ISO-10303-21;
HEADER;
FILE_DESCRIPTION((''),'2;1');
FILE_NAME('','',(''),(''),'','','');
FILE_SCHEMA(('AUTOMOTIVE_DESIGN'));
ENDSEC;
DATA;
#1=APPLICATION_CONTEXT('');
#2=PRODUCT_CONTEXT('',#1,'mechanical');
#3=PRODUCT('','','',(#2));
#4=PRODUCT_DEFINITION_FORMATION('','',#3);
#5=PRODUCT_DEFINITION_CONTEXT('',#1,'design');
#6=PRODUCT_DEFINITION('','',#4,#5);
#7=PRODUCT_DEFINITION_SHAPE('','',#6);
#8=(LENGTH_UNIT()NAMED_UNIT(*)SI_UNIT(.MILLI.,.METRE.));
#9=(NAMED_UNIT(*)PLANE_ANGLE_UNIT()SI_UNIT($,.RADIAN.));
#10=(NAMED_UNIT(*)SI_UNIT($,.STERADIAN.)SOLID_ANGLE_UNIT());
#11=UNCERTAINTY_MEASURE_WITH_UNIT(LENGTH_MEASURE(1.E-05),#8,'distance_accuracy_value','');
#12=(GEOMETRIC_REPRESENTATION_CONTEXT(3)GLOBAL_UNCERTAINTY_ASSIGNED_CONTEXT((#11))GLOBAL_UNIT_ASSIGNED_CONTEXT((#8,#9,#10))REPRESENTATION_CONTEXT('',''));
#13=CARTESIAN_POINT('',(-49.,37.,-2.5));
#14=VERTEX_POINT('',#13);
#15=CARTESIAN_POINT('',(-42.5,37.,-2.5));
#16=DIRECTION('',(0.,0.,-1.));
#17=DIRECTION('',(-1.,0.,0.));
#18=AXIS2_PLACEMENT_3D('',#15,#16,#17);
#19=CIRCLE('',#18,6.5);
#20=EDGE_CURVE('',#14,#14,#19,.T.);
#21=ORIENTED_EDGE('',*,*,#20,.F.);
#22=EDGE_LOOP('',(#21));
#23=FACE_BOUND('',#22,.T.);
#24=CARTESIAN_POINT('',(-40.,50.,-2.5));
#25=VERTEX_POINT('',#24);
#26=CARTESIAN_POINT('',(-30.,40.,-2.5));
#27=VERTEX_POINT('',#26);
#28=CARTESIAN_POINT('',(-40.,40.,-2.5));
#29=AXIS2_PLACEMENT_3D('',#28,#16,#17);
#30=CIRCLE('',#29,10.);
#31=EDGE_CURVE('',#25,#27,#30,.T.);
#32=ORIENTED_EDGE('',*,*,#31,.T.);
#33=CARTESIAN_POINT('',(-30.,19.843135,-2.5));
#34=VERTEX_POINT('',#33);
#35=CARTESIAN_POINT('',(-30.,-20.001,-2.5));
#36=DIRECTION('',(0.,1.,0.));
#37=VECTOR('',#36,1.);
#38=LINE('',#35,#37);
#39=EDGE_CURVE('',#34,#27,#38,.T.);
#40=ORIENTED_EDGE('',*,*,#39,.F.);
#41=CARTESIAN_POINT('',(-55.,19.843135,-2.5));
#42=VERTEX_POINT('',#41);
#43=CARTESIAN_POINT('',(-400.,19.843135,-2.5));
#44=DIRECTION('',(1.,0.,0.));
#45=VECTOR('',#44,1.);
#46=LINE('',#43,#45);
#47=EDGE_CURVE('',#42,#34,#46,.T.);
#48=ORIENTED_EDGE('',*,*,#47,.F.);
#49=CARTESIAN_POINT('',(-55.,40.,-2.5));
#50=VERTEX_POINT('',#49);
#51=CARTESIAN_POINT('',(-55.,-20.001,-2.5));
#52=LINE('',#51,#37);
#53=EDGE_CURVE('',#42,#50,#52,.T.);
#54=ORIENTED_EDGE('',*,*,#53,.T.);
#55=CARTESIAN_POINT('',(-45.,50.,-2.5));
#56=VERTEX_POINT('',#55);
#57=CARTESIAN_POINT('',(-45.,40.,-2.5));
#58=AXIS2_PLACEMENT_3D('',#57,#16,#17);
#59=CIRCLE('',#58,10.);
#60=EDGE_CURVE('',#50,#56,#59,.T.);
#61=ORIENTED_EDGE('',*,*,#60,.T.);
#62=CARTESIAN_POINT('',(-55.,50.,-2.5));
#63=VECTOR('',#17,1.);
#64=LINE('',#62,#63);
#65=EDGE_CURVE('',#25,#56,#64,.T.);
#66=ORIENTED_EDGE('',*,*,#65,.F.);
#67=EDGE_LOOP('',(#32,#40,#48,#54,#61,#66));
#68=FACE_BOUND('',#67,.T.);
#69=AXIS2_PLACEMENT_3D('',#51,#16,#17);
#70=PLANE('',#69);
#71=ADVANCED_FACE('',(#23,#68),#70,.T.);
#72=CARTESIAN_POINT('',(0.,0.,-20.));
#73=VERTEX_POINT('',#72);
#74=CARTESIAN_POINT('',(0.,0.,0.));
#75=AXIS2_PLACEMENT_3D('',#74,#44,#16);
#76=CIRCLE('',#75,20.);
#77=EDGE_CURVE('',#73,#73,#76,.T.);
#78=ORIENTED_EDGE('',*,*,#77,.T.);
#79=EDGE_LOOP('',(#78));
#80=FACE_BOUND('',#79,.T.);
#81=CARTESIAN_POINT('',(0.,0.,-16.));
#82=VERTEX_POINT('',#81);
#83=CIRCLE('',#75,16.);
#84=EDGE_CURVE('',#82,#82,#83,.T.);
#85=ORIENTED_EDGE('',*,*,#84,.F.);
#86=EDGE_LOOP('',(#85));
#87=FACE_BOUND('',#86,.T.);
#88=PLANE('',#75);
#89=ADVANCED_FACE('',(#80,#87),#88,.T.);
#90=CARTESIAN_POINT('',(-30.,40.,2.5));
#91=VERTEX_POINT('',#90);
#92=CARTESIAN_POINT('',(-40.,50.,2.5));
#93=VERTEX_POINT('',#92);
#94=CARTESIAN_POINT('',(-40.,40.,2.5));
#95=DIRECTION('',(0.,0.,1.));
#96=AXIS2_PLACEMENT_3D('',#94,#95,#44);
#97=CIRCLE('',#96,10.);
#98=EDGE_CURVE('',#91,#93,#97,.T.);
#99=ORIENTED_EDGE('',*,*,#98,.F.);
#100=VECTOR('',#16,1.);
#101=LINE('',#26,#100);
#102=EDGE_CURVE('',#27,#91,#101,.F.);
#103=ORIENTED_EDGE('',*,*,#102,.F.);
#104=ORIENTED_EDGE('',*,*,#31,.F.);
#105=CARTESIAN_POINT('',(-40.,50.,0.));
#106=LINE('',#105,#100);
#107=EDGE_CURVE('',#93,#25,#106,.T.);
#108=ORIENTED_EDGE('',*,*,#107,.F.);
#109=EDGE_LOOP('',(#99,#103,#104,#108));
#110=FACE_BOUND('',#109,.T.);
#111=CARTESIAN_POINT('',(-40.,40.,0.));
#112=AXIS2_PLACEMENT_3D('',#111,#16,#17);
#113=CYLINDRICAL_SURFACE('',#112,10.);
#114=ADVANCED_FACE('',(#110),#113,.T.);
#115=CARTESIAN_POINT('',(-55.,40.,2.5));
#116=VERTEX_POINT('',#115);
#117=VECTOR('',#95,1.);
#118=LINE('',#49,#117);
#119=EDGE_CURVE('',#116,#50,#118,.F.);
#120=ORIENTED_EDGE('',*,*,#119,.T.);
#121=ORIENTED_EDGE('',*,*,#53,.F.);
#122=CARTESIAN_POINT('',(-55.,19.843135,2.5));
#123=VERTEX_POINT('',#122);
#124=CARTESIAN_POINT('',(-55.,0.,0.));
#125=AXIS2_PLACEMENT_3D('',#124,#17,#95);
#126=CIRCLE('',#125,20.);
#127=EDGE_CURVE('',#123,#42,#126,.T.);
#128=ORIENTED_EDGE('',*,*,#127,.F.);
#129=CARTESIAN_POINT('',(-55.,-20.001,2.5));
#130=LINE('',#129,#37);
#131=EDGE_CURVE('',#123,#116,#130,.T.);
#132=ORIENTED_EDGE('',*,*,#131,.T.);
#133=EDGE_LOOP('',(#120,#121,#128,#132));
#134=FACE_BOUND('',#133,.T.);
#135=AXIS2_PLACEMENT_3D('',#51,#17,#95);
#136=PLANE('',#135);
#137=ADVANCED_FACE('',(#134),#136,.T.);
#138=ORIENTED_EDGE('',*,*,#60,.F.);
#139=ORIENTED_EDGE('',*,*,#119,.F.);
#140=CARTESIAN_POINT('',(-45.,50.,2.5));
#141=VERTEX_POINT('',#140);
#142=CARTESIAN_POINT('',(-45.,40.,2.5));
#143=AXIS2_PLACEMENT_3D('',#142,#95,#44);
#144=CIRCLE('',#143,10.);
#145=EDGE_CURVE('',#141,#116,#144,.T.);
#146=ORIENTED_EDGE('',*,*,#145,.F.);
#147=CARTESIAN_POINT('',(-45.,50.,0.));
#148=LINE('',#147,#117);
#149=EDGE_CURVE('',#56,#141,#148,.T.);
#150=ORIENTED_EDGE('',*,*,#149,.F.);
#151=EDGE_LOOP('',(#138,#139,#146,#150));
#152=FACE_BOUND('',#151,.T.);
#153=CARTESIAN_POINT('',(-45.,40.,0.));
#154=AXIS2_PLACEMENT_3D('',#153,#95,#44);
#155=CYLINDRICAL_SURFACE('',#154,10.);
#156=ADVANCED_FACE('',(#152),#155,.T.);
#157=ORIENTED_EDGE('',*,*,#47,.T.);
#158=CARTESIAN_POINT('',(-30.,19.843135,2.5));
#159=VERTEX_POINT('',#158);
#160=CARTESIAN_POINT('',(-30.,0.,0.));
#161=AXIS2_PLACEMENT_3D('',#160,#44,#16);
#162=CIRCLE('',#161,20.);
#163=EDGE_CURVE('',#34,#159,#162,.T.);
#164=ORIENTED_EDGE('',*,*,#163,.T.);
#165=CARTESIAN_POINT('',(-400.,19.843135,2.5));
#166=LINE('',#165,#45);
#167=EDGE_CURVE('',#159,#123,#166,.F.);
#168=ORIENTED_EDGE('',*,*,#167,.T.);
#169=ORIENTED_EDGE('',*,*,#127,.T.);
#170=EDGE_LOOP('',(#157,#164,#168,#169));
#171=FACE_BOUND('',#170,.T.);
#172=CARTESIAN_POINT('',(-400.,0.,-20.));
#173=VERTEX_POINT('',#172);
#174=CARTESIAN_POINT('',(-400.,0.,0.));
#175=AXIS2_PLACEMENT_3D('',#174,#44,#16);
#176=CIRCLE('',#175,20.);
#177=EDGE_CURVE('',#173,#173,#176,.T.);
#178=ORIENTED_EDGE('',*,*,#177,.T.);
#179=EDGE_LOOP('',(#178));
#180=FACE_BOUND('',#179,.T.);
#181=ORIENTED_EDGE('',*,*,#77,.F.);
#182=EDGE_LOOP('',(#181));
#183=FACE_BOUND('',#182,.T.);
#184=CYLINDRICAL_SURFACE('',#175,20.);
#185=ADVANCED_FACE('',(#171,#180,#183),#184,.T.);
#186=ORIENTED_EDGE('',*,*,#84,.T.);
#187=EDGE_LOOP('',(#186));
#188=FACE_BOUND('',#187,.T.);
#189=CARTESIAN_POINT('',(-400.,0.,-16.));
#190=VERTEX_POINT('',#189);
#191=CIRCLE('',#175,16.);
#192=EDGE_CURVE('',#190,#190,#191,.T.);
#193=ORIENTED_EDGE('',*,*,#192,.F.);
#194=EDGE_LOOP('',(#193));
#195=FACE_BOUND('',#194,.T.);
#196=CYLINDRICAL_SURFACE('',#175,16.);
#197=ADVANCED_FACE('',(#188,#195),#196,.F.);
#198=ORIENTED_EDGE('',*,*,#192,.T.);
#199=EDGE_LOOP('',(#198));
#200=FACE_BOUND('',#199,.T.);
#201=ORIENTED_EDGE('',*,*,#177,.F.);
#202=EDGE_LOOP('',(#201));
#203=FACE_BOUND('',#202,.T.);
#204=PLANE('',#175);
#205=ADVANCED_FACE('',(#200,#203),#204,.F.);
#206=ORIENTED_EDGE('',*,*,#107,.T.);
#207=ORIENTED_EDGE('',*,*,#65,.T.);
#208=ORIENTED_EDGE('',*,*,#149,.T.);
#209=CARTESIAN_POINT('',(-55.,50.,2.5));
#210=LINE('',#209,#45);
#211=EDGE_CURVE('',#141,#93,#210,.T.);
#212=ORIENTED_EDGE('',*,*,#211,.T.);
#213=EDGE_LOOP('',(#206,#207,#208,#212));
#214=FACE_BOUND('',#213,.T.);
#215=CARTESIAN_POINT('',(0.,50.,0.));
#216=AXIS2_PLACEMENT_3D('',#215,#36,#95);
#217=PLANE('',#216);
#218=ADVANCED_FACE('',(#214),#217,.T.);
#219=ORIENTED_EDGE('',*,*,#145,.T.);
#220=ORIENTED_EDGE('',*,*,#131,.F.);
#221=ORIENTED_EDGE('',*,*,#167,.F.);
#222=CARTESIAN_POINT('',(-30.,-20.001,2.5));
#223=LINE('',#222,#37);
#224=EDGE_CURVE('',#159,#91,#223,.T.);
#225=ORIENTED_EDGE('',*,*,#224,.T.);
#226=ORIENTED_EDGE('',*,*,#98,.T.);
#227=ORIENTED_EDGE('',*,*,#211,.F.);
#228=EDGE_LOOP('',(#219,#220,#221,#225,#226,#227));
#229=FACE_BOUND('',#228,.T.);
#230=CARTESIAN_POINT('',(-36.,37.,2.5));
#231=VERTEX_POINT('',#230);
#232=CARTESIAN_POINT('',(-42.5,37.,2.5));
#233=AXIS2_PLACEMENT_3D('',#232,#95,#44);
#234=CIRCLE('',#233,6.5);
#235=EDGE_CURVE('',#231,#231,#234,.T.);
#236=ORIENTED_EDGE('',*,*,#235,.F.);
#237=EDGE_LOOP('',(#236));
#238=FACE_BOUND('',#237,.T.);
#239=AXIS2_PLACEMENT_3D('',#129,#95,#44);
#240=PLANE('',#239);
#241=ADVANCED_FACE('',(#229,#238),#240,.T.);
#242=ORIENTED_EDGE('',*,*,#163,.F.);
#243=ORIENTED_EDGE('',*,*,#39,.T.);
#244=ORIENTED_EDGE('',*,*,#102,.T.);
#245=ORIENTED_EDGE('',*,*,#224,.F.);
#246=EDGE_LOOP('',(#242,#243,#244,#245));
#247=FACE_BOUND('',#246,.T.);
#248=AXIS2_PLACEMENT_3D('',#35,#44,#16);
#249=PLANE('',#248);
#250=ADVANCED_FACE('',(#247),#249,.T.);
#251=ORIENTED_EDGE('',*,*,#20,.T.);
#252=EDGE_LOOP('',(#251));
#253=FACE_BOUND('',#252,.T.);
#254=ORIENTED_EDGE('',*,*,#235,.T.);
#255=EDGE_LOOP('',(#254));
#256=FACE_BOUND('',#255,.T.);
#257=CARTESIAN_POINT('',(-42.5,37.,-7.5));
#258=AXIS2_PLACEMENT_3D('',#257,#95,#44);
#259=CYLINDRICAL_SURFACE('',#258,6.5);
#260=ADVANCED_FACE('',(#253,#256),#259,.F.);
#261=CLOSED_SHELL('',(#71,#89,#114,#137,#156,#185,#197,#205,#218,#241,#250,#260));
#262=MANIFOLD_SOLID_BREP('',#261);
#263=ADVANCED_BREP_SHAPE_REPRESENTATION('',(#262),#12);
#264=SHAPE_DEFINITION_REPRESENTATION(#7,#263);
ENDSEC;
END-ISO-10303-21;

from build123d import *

# Parameters (mm, degrees)
SKETCH1_R                = 20
SKETCH1_R_2              = 16
BOSS_EXTRUDE1_DEPTH      = 400
BOSS_EXTRUDE2_REACH      = 408.571
BOSS_EXTRUDE2_END_RADIUS = 20
SKETCH2_W                = 25
SKETCH2_H                = 5
FILLET1_R                = 10
SKETCH3_R                = 6.5
CUT_EXTRUDE1_DEPTH       = 10


with BuildPart() as part:
    # Sketch1 → Boss-Extrude1 (new body)
    with BuildSketch(Plane(origin=(0, 0, 0), x_dir=(0, 0, -1), z_dir=(1, 0, 0))):
        Circle(SKETCH1_R)
        Circle(SKETCH1_R_2, mode=Mode.SUBTRACT)
    extrude(amount=-BOSS_EXTRUDE1_DEPTH)

    # Boss-Extrude2: up to this cylinder (the profile starts outside it)
    boss_extrude2_end = Plane(origin=(-42.5, 0, 0), z_dir=(1, 0, 0)) * Cylinder(BOSS_EXTRUDE2_END_RADIUS, 858.142, mode=Mode.PRIVATE)
    # Sketch2 → Boss-Extrude2 (add, up to the surface)
    with BuildSketch(Plane(origin=(0, 50, 0), x_dir=(1, 0, 0), z_dir=(0, 1, 0)), mode=Mode.PRIVATE) as boss_extrude2_sk1:
        with Locations((-42.5, 0)):
            Rectangle(SKETCH2_W, SKETCH2_H)
    boss_extrude2_tool1 = extrude(boss_extrude2_sk1.sketch, amount=-BOSS_EXTRUDE2_REACH, mode=Mode.PRIVATE) - boss_extrude2_end
    add(boss_extrude2_tool1.solids().sort_by_distance((-42.5, 50, 0))[0])

    # Fillet1
    fillet1_edges = [part.edges().sort_by_distance(p)[0] for p in [
        (-30, 50, 0),
        (-55, 50, 0),
    ]]
    fillet(fillet1_edges, radius=FILLET1_R)

    # Sketch3 → Cut-Extrude1 (cut)
    with BuildSketch(Plane.XY.offset(2.5)):
        with Locations((-42.5, 37)):
            Circle(SKETCH3_R)
    extrude(amount=-CUT_EXTRUDE1_DEPTH, mode=Mode.SUBTRACT)


solid = part.part
